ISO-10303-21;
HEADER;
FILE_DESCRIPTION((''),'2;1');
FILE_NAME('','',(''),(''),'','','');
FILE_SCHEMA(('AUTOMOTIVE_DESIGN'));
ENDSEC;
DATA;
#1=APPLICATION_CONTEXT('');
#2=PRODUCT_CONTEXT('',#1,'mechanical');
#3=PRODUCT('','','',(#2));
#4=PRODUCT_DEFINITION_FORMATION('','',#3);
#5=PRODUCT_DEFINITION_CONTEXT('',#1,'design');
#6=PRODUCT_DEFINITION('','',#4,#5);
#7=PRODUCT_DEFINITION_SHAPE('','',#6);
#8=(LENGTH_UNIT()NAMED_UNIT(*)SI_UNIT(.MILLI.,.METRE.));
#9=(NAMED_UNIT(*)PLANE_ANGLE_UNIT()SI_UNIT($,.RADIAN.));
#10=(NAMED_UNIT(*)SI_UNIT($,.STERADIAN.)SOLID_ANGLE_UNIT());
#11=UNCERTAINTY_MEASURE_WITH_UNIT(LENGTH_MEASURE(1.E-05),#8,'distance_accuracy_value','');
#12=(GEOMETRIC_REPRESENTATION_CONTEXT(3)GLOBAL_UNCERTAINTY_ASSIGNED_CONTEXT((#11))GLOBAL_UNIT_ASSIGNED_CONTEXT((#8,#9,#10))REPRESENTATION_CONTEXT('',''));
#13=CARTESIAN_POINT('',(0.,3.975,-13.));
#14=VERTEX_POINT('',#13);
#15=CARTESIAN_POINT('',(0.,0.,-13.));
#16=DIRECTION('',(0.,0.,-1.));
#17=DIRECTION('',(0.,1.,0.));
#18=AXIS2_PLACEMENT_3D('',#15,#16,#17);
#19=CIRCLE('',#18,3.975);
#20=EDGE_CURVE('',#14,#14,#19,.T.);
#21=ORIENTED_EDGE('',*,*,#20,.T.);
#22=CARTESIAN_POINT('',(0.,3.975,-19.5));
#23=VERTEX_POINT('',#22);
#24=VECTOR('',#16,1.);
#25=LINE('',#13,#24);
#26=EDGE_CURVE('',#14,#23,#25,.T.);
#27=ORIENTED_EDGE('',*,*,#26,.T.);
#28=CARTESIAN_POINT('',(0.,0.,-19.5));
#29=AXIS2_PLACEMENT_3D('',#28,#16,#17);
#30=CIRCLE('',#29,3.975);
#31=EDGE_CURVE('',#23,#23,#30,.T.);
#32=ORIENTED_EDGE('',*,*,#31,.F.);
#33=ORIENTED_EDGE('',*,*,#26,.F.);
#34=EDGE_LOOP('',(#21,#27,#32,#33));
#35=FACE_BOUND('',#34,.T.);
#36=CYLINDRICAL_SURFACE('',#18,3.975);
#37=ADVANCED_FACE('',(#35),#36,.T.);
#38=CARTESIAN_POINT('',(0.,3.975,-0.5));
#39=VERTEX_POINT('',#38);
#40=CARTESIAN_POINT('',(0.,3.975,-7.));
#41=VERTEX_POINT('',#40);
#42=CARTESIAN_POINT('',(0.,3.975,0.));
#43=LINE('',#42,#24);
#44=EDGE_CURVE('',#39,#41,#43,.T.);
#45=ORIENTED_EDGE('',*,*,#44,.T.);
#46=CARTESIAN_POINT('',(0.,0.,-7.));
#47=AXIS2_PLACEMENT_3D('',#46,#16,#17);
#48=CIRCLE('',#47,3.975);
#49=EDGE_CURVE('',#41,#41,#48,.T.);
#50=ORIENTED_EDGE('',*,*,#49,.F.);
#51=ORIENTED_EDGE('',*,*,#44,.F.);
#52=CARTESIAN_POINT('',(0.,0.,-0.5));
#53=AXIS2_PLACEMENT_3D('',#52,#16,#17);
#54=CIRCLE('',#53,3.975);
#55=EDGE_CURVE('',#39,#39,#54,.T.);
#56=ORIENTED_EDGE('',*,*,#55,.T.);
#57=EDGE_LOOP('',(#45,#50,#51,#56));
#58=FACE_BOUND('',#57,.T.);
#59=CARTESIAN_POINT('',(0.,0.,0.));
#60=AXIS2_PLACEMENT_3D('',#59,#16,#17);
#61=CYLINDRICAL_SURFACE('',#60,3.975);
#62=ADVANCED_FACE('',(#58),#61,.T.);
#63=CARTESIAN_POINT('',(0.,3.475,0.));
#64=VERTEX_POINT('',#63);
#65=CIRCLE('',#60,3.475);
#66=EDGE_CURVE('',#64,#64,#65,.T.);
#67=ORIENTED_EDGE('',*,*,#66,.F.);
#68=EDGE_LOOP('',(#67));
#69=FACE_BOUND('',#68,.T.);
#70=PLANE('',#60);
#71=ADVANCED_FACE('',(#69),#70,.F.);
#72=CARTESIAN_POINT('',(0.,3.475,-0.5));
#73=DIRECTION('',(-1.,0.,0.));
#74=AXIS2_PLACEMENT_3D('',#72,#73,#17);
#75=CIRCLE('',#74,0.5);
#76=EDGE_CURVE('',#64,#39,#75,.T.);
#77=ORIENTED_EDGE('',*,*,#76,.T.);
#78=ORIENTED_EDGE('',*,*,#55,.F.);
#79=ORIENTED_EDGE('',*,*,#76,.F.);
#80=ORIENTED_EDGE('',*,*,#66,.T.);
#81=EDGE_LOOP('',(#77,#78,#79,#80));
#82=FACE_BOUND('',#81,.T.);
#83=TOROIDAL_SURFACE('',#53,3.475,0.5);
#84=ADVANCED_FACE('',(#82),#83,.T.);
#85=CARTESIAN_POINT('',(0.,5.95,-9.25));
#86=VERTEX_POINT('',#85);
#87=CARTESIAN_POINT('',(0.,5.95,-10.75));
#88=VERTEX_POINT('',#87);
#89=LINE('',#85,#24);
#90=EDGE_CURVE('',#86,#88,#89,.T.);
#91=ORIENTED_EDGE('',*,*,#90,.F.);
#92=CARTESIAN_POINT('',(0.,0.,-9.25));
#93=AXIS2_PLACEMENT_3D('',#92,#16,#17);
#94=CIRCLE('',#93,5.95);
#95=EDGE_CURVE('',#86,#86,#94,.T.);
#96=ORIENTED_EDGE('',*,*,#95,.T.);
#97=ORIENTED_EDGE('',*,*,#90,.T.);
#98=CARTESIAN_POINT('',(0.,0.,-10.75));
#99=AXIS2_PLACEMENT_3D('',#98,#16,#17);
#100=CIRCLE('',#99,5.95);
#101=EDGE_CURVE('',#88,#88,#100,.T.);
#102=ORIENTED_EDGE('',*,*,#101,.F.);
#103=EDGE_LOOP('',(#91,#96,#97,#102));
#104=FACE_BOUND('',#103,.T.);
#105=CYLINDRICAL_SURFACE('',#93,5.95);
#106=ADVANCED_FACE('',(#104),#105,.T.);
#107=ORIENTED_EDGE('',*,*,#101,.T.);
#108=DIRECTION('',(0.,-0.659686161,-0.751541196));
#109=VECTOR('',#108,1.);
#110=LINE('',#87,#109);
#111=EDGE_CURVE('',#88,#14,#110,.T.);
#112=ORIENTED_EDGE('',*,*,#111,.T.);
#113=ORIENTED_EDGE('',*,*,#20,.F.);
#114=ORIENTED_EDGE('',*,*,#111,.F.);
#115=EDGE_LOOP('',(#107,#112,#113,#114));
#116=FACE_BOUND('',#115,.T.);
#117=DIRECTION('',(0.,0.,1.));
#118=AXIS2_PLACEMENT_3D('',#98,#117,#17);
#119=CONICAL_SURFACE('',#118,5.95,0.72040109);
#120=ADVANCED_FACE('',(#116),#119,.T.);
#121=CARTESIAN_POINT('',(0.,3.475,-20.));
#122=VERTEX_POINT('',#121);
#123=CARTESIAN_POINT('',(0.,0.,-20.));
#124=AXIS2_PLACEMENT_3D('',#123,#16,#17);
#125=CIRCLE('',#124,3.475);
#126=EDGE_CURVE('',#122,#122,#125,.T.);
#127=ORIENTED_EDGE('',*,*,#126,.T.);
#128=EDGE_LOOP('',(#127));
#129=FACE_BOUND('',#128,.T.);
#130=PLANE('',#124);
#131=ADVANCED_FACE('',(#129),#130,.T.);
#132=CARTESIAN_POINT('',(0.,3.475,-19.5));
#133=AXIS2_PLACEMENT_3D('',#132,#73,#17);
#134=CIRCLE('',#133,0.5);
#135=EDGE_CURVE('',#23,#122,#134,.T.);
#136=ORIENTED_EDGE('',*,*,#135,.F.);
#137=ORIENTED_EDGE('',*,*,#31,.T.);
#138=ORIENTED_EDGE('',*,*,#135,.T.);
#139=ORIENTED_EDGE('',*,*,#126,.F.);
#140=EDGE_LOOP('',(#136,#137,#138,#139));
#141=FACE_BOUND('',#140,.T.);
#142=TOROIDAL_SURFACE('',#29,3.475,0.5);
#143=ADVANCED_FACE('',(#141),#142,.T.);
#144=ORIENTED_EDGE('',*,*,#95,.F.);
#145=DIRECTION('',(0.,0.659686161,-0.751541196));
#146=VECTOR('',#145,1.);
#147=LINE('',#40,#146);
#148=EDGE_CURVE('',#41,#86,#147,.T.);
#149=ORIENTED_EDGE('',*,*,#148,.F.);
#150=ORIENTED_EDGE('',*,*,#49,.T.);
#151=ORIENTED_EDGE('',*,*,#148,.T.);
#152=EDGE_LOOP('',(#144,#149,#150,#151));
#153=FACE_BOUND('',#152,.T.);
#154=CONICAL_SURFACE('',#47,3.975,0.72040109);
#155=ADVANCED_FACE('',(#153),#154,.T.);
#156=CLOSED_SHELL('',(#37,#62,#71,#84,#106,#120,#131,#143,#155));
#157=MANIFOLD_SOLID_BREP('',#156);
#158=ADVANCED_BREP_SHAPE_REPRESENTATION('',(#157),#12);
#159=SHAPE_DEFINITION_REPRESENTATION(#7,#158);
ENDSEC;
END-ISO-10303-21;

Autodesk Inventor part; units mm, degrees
ref_plane "YZ Plane" through (0, 0, 0) normal (1, 0, 0) x (0, 1, 0)
ref_plane "XZ Plane" through (0, 0, 0) normal (0, 1, 0) x (-1, 0, 0)
ref_plane "XY Plane" through (0, 0, 0) normal (0, 0, 1) x (1, 0, 0)
sketch "Sketch1" plane through (0, 0, 0) normal (1, 0, 0) x (0, 1, 0)
  line L0 (0, 0) -> (0, -20)
  line L1 (0, 0) -> (3.975, 0)
  line L2 (3.975, 0) -> (3.975, -7)
  line L3 (3.975, -7) -> (5.95, -9.25)
  line L4 (5.95, -9.25) -> (5.95, -10.75)
  line L5 (5.95, -10.75) -> (3.975, -13)
  line L6 (3.975, -13) -> (3.975, -20)
  line L7 (3.975, -20) -> (0, -20)
  dimension "d0" = 7.95
  dimension "d1" = 20
  dimension "d2" = 6
  dimension "d3" = 1.5
  dimension "d4" = 11.9
revolve "Revolution1" add sketch "Sketch1" angle 360 about axis through (0, 0, 0) along (0, 0, -1)
fillet "Fillet1" radius 0.5 2 edges at (0, -3.975, 0) (0, -3.975, -20)
properties part number "RailPlug" material "ABS Plastic"
